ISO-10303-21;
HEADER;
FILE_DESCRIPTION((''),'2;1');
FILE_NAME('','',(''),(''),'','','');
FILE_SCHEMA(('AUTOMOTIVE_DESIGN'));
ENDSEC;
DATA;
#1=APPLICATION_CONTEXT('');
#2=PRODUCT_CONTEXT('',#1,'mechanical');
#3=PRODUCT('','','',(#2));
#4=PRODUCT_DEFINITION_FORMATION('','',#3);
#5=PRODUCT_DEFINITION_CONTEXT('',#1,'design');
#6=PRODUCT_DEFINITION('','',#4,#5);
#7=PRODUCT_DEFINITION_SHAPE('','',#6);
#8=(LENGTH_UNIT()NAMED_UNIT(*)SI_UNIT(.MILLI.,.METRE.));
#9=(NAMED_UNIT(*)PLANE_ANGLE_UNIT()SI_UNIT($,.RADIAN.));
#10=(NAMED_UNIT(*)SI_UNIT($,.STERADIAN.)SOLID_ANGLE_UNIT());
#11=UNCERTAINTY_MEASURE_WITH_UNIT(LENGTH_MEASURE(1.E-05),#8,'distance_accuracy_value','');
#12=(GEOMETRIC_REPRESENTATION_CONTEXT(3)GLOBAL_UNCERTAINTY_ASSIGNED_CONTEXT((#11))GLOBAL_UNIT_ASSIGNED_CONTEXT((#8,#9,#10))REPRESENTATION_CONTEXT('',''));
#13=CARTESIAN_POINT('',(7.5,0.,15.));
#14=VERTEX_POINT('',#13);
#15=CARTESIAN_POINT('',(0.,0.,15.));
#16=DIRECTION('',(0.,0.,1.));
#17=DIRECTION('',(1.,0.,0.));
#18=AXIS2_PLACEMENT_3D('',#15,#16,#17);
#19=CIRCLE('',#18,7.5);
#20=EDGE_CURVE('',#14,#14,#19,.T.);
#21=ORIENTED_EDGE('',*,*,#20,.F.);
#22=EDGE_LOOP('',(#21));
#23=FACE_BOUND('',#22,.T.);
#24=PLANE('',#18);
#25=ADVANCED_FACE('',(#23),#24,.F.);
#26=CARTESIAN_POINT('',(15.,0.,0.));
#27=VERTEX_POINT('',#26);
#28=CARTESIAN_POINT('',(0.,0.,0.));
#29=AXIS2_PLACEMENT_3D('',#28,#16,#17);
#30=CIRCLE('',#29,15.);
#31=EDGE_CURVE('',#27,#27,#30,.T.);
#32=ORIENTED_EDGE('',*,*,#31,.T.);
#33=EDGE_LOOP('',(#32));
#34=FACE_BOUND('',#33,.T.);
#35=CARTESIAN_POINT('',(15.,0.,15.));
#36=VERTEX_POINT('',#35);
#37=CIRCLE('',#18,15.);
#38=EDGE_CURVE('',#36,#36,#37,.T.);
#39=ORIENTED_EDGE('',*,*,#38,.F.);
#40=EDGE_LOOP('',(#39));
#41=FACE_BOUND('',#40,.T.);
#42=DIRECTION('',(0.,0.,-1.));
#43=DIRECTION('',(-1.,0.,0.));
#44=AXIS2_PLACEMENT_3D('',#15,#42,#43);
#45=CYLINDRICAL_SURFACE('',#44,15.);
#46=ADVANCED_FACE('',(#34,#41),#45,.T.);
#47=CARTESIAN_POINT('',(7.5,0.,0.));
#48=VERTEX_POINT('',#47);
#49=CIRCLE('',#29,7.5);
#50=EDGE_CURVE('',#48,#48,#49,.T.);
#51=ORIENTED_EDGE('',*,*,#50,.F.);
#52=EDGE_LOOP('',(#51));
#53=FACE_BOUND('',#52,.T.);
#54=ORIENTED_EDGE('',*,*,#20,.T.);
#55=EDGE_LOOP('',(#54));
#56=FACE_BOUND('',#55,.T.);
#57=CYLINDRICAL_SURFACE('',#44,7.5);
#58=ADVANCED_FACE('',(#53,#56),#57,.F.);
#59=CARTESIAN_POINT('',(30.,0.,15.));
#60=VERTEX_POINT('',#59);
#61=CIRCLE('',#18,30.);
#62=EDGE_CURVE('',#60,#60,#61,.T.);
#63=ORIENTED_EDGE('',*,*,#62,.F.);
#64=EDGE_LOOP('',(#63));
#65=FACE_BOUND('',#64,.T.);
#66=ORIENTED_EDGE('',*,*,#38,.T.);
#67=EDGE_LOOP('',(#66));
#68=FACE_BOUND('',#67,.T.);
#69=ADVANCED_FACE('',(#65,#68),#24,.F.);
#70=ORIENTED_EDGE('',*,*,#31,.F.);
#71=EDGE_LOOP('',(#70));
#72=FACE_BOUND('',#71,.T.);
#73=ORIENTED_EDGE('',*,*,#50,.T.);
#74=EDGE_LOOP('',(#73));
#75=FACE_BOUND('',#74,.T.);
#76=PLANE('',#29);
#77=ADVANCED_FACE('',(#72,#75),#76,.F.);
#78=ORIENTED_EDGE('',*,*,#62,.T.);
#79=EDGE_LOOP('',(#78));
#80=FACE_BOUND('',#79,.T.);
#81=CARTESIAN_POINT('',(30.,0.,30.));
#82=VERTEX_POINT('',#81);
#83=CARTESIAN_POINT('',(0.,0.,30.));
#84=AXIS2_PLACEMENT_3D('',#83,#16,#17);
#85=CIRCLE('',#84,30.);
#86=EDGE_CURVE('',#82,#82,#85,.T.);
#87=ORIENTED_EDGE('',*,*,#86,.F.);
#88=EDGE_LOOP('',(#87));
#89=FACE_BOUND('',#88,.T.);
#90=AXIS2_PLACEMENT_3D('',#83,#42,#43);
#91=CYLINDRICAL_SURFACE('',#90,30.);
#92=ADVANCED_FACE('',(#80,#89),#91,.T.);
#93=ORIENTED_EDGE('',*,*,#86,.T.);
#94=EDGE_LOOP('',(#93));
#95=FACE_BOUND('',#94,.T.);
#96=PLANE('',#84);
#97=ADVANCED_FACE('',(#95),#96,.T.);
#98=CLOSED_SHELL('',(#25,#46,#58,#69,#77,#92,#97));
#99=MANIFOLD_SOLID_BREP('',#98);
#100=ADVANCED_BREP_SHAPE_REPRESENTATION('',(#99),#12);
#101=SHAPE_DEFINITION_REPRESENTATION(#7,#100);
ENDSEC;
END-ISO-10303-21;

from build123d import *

# Parameters (mm, degrees)
SKETCH1_R           = 15
SKETCH1_R_2         = 7.5
BOSS_EXTRUDE1_DEPTH = 15
SKETCH2_R           = 30
BOSS_EXTRUDE2_DEPTH = 15


with BuildPart() as part:
    # Sketch1 → Boss-Extrude1 (new body)
    with BuildSketch(Plane.XY):
        Circle(SKETCH1_R)
        Circle(SKETCH1_R_2, mode=Mode.SUBTRACT)
    extrude(amount=BOSS_EXTRUDE1_DEPTH)

    # Sketch2 → Boss-Extrude2 (add)
    with BuildSketch(Plane.XY.offset(15)):
        Circle(SKETCH2_R)
    extrude(amount=BOSS_EXTRUDE2_DEPTH)


solid = part.part
